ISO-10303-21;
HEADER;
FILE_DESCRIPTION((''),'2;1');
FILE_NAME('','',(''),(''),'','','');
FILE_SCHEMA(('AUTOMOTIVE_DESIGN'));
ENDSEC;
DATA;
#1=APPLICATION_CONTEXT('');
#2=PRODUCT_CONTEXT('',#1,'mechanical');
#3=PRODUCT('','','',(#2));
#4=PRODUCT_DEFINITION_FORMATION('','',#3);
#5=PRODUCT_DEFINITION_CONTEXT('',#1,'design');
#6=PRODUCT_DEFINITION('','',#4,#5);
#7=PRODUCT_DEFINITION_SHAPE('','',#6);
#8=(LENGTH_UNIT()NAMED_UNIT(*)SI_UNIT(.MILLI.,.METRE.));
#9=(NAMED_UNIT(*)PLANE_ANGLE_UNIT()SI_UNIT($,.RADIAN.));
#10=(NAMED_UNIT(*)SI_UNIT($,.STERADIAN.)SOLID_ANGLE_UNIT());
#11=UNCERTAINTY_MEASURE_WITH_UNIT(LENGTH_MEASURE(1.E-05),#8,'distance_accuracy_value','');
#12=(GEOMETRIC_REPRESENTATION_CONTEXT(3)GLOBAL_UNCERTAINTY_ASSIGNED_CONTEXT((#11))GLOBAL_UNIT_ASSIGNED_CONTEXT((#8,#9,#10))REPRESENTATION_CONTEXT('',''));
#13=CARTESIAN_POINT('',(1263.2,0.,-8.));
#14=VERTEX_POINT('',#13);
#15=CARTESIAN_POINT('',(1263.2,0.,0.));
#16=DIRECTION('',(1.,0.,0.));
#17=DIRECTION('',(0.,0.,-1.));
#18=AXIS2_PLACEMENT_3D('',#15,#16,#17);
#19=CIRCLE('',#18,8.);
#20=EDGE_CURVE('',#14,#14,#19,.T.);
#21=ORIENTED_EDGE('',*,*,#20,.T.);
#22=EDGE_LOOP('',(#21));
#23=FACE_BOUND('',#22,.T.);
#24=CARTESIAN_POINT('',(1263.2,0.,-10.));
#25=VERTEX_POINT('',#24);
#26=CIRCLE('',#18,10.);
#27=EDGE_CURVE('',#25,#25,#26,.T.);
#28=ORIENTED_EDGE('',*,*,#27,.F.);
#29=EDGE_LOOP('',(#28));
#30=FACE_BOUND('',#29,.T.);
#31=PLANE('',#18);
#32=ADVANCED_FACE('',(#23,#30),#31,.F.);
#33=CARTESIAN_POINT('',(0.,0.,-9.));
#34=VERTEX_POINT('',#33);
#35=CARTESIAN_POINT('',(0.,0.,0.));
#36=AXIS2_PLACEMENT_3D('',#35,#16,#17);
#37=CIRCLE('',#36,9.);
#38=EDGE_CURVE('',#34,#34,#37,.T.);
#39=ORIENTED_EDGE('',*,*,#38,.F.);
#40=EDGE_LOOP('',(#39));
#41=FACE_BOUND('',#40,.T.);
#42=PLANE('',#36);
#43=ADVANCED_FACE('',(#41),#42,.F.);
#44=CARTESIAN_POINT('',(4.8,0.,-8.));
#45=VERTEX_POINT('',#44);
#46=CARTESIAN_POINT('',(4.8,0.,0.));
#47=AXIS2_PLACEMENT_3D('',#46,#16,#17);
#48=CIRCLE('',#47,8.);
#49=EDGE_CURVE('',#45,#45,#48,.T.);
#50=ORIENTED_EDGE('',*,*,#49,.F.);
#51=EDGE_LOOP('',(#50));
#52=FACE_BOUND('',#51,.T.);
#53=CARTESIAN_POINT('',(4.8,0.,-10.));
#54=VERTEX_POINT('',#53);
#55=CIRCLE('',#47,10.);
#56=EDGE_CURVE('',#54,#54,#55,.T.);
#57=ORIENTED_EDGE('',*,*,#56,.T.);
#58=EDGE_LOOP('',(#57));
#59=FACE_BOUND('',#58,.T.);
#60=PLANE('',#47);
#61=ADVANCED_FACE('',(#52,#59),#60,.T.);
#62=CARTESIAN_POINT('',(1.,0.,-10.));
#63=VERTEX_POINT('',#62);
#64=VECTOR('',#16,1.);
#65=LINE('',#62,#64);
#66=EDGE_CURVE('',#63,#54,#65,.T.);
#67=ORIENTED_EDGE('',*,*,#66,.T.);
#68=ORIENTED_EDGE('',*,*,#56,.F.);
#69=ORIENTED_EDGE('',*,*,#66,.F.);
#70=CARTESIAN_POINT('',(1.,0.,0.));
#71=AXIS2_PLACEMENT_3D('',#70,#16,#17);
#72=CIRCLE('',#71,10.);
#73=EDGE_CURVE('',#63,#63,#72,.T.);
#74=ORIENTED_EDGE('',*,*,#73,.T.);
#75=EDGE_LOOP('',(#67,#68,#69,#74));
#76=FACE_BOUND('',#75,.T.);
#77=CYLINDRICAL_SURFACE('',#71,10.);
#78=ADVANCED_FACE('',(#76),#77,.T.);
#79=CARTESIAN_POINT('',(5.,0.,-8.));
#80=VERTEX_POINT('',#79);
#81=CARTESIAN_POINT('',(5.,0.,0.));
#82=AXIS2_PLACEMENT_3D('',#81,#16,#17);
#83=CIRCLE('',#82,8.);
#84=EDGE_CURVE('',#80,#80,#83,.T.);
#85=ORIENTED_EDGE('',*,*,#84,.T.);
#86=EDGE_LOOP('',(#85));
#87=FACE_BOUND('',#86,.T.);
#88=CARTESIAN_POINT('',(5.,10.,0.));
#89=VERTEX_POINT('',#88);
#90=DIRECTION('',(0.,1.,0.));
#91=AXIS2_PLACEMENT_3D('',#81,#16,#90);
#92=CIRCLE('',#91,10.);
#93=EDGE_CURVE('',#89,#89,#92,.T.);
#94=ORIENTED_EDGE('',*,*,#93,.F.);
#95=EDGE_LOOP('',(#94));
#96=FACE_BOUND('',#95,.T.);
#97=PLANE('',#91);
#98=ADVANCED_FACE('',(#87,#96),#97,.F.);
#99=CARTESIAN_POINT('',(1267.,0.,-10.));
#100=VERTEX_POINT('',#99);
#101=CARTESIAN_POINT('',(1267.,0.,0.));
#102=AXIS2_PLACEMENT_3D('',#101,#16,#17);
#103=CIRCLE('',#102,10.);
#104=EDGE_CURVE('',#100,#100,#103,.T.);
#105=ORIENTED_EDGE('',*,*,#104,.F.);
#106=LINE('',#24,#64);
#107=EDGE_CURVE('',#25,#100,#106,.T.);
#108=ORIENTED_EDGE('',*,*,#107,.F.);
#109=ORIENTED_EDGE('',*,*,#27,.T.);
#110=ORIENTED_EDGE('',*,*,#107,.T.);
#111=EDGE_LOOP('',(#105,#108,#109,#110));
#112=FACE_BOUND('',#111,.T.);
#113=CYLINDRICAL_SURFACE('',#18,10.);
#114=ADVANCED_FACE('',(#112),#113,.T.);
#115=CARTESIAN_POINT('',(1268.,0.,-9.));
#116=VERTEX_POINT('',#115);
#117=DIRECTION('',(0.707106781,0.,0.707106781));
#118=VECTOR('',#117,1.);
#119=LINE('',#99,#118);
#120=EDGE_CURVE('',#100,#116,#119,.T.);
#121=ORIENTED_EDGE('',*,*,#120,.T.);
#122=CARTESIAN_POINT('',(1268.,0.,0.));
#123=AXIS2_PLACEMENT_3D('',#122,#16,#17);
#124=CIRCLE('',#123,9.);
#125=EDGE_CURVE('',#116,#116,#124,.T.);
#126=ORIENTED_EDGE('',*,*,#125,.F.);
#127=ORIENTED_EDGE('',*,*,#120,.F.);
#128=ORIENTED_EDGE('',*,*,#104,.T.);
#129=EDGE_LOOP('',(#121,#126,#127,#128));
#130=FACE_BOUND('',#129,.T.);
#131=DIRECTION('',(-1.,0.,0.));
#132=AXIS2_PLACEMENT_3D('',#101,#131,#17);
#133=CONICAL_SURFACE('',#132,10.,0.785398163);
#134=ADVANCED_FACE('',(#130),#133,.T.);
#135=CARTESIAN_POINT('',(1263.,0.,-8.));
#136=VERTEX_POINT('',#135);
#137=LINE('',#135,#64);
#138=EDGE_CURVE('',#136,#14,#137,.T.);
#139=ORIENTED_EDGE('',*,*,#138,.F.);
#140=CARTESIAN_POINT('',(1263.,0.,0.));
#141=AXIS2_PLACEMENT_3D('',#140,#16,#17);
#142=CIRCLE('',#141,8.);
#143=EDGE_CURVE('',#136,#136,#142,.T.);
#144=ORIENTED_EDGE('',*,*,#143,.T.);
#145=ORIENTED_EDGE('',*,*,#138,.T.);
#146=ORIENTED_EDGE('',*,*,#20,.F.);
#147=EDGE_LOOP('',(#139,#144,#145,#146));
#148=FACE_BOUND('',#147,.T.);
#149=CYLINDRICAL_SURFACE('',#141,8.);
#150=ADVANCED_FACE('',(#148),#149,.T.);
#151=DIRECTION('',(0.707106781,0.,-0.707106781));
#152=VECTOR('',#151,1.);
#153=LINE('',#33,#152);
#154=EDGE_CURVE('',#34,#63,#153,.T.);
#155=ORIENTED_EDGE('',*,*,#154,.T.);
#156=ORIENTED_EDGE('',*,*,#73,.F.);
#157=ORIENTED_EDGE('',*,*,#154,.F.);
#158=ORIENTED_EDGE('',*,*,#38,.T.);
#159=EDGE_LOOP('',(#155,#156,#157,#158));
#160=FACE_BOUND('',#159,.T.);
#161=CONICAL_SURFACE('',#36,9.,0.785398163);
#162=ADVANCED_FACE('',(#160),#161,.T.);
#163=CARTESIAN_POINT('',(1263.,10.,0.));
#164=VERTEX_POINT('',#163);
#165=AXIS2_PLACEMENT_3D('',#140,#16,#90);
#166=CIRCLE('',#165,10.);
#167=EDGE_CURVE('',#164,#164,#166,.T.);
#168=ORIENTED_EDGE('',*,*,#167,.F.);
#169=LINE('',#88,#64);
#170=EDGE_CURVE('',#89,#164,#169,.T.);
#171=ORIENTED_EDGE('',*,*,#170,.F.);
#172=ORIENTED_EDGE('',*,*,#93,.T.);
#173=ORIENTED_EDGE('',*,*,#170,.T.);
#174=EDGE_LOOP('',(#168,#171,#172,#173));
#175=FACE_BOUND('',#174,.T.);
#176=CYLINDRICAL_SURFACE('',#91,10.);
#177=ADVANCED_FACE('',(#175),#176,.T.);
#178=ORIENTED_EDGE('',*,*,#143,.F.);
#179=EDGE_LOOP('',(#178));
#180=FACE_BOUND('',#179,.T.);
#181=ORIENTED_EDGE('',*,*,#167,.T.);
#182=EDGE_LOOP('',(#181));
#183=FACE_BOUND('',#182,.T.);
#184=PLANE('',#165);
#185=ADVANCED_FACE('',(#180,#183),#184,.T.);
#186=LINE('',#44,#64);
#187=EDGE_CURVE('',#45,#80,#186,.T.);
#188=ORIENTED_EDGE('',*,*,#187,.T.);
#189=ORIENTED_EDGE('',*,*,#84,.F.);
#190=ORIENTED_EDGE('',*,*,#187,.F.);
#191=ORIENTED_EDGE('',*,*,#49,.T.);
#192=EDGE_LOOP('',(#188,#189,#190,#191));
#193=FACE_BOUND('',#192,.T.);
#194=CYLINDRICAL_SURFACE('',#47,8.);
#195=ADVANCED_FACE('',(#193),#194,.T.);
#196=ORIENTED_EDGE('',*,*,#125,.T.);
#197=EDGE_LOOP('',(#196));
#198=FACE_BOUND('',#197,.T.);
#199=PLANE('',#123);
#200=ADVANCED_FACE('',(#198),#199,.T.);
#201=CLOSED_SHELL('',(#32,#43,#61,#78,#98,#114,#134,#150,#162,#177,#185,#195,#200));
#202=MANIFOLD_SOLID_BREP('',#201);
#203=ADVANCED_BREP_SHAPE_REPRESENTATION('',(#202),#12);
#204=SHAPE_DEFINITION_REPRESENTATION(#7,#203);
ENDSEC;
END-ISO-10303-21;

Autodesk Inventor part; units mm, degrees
sketch "Sketch_1" plane through (0, 0, 0) normal (0, 0, 1) x (1, 0, 0)
  line L0 (1263, 0) -> (5, 0)
  line L1 (5, 0) -> (5, 10)
  line L2 (5, 10) -> (1263, 10)
  line L3 (1263, 10) -> (1263, 0)
  line L4 (1263, 0) -> (5, 0)
revolve "Revolution1" add sketch "Sketch_1" angle 360 about axis through (1263, 0, 0) along (1, 0, 0)
thread "Thread1" size "M20x2.5" class "6g" standard "ISO Metric profile" full length
sketch "Sketch_2" plane through (0, 0, 0) normal (0, 1, 0) x (-1, 0, 0)
  line L0 (-5, 0) -> (0, 0)
  line L1 (0, 0) -> (0, -9)
  line L2 (0, -9) -> (-1, -10)
  line L3 (-1, -10) -> (-4.8, -10)
  line L4 (-4.8, -10) -> (-4.8, -8)
  line L5 (-4.8, -8) -> (-5, -8)
  line L6 (-5, -8) -> (-5, 0)
  line L7 (-5, 0) -> (0, 0)
revolve "Revolution2" add sketch "Sketch_2" angle 360 about axis through (5, 0, 0) along (1, 0, 0)
sketch "Sketch_3" plane through (0, 0, 0) normal (0, 1, 0) x (-1, 0, 0)
  line L0 (-1268, 0) -> (-1263, 0)
  line L1 (-1263, 0) -> (-1263, -8)
  line L2 (-1263, -8) -> (-1263.2, -8)
  line L3 (-1263.2, -8) -> (-1263.2, -10)
  line L4 (-1263.2, -10) -> (-1267, -10)
  line L5 (-1267, -10) -> (-1268, -9)
  line L6 (-1268, -9) -> (-1268, 0)
  line L7 (-1268, 0) -> (-1263, 0)
revolve "Revolution3" add sketch "Sketch_3" angle 360 about axis through (1268, 0, 0) along (1, 0, 0)
ref_plane "bnt_s_1_XY" through (0, 0, 0) normal (-1, 0, 0) x (0, 0, -1)
ref_plane "bnt_s_1_YZ" through (0, 0, 0) normal (0, 0, -1) x (0, -1, 0)
ref_plane "bnt_s_1_ZX" through (0, 0, 0) normal (0, -1, 0) x (-1, 0, 0)
properties part number "BNT 2010-2.61200 Shaft"
